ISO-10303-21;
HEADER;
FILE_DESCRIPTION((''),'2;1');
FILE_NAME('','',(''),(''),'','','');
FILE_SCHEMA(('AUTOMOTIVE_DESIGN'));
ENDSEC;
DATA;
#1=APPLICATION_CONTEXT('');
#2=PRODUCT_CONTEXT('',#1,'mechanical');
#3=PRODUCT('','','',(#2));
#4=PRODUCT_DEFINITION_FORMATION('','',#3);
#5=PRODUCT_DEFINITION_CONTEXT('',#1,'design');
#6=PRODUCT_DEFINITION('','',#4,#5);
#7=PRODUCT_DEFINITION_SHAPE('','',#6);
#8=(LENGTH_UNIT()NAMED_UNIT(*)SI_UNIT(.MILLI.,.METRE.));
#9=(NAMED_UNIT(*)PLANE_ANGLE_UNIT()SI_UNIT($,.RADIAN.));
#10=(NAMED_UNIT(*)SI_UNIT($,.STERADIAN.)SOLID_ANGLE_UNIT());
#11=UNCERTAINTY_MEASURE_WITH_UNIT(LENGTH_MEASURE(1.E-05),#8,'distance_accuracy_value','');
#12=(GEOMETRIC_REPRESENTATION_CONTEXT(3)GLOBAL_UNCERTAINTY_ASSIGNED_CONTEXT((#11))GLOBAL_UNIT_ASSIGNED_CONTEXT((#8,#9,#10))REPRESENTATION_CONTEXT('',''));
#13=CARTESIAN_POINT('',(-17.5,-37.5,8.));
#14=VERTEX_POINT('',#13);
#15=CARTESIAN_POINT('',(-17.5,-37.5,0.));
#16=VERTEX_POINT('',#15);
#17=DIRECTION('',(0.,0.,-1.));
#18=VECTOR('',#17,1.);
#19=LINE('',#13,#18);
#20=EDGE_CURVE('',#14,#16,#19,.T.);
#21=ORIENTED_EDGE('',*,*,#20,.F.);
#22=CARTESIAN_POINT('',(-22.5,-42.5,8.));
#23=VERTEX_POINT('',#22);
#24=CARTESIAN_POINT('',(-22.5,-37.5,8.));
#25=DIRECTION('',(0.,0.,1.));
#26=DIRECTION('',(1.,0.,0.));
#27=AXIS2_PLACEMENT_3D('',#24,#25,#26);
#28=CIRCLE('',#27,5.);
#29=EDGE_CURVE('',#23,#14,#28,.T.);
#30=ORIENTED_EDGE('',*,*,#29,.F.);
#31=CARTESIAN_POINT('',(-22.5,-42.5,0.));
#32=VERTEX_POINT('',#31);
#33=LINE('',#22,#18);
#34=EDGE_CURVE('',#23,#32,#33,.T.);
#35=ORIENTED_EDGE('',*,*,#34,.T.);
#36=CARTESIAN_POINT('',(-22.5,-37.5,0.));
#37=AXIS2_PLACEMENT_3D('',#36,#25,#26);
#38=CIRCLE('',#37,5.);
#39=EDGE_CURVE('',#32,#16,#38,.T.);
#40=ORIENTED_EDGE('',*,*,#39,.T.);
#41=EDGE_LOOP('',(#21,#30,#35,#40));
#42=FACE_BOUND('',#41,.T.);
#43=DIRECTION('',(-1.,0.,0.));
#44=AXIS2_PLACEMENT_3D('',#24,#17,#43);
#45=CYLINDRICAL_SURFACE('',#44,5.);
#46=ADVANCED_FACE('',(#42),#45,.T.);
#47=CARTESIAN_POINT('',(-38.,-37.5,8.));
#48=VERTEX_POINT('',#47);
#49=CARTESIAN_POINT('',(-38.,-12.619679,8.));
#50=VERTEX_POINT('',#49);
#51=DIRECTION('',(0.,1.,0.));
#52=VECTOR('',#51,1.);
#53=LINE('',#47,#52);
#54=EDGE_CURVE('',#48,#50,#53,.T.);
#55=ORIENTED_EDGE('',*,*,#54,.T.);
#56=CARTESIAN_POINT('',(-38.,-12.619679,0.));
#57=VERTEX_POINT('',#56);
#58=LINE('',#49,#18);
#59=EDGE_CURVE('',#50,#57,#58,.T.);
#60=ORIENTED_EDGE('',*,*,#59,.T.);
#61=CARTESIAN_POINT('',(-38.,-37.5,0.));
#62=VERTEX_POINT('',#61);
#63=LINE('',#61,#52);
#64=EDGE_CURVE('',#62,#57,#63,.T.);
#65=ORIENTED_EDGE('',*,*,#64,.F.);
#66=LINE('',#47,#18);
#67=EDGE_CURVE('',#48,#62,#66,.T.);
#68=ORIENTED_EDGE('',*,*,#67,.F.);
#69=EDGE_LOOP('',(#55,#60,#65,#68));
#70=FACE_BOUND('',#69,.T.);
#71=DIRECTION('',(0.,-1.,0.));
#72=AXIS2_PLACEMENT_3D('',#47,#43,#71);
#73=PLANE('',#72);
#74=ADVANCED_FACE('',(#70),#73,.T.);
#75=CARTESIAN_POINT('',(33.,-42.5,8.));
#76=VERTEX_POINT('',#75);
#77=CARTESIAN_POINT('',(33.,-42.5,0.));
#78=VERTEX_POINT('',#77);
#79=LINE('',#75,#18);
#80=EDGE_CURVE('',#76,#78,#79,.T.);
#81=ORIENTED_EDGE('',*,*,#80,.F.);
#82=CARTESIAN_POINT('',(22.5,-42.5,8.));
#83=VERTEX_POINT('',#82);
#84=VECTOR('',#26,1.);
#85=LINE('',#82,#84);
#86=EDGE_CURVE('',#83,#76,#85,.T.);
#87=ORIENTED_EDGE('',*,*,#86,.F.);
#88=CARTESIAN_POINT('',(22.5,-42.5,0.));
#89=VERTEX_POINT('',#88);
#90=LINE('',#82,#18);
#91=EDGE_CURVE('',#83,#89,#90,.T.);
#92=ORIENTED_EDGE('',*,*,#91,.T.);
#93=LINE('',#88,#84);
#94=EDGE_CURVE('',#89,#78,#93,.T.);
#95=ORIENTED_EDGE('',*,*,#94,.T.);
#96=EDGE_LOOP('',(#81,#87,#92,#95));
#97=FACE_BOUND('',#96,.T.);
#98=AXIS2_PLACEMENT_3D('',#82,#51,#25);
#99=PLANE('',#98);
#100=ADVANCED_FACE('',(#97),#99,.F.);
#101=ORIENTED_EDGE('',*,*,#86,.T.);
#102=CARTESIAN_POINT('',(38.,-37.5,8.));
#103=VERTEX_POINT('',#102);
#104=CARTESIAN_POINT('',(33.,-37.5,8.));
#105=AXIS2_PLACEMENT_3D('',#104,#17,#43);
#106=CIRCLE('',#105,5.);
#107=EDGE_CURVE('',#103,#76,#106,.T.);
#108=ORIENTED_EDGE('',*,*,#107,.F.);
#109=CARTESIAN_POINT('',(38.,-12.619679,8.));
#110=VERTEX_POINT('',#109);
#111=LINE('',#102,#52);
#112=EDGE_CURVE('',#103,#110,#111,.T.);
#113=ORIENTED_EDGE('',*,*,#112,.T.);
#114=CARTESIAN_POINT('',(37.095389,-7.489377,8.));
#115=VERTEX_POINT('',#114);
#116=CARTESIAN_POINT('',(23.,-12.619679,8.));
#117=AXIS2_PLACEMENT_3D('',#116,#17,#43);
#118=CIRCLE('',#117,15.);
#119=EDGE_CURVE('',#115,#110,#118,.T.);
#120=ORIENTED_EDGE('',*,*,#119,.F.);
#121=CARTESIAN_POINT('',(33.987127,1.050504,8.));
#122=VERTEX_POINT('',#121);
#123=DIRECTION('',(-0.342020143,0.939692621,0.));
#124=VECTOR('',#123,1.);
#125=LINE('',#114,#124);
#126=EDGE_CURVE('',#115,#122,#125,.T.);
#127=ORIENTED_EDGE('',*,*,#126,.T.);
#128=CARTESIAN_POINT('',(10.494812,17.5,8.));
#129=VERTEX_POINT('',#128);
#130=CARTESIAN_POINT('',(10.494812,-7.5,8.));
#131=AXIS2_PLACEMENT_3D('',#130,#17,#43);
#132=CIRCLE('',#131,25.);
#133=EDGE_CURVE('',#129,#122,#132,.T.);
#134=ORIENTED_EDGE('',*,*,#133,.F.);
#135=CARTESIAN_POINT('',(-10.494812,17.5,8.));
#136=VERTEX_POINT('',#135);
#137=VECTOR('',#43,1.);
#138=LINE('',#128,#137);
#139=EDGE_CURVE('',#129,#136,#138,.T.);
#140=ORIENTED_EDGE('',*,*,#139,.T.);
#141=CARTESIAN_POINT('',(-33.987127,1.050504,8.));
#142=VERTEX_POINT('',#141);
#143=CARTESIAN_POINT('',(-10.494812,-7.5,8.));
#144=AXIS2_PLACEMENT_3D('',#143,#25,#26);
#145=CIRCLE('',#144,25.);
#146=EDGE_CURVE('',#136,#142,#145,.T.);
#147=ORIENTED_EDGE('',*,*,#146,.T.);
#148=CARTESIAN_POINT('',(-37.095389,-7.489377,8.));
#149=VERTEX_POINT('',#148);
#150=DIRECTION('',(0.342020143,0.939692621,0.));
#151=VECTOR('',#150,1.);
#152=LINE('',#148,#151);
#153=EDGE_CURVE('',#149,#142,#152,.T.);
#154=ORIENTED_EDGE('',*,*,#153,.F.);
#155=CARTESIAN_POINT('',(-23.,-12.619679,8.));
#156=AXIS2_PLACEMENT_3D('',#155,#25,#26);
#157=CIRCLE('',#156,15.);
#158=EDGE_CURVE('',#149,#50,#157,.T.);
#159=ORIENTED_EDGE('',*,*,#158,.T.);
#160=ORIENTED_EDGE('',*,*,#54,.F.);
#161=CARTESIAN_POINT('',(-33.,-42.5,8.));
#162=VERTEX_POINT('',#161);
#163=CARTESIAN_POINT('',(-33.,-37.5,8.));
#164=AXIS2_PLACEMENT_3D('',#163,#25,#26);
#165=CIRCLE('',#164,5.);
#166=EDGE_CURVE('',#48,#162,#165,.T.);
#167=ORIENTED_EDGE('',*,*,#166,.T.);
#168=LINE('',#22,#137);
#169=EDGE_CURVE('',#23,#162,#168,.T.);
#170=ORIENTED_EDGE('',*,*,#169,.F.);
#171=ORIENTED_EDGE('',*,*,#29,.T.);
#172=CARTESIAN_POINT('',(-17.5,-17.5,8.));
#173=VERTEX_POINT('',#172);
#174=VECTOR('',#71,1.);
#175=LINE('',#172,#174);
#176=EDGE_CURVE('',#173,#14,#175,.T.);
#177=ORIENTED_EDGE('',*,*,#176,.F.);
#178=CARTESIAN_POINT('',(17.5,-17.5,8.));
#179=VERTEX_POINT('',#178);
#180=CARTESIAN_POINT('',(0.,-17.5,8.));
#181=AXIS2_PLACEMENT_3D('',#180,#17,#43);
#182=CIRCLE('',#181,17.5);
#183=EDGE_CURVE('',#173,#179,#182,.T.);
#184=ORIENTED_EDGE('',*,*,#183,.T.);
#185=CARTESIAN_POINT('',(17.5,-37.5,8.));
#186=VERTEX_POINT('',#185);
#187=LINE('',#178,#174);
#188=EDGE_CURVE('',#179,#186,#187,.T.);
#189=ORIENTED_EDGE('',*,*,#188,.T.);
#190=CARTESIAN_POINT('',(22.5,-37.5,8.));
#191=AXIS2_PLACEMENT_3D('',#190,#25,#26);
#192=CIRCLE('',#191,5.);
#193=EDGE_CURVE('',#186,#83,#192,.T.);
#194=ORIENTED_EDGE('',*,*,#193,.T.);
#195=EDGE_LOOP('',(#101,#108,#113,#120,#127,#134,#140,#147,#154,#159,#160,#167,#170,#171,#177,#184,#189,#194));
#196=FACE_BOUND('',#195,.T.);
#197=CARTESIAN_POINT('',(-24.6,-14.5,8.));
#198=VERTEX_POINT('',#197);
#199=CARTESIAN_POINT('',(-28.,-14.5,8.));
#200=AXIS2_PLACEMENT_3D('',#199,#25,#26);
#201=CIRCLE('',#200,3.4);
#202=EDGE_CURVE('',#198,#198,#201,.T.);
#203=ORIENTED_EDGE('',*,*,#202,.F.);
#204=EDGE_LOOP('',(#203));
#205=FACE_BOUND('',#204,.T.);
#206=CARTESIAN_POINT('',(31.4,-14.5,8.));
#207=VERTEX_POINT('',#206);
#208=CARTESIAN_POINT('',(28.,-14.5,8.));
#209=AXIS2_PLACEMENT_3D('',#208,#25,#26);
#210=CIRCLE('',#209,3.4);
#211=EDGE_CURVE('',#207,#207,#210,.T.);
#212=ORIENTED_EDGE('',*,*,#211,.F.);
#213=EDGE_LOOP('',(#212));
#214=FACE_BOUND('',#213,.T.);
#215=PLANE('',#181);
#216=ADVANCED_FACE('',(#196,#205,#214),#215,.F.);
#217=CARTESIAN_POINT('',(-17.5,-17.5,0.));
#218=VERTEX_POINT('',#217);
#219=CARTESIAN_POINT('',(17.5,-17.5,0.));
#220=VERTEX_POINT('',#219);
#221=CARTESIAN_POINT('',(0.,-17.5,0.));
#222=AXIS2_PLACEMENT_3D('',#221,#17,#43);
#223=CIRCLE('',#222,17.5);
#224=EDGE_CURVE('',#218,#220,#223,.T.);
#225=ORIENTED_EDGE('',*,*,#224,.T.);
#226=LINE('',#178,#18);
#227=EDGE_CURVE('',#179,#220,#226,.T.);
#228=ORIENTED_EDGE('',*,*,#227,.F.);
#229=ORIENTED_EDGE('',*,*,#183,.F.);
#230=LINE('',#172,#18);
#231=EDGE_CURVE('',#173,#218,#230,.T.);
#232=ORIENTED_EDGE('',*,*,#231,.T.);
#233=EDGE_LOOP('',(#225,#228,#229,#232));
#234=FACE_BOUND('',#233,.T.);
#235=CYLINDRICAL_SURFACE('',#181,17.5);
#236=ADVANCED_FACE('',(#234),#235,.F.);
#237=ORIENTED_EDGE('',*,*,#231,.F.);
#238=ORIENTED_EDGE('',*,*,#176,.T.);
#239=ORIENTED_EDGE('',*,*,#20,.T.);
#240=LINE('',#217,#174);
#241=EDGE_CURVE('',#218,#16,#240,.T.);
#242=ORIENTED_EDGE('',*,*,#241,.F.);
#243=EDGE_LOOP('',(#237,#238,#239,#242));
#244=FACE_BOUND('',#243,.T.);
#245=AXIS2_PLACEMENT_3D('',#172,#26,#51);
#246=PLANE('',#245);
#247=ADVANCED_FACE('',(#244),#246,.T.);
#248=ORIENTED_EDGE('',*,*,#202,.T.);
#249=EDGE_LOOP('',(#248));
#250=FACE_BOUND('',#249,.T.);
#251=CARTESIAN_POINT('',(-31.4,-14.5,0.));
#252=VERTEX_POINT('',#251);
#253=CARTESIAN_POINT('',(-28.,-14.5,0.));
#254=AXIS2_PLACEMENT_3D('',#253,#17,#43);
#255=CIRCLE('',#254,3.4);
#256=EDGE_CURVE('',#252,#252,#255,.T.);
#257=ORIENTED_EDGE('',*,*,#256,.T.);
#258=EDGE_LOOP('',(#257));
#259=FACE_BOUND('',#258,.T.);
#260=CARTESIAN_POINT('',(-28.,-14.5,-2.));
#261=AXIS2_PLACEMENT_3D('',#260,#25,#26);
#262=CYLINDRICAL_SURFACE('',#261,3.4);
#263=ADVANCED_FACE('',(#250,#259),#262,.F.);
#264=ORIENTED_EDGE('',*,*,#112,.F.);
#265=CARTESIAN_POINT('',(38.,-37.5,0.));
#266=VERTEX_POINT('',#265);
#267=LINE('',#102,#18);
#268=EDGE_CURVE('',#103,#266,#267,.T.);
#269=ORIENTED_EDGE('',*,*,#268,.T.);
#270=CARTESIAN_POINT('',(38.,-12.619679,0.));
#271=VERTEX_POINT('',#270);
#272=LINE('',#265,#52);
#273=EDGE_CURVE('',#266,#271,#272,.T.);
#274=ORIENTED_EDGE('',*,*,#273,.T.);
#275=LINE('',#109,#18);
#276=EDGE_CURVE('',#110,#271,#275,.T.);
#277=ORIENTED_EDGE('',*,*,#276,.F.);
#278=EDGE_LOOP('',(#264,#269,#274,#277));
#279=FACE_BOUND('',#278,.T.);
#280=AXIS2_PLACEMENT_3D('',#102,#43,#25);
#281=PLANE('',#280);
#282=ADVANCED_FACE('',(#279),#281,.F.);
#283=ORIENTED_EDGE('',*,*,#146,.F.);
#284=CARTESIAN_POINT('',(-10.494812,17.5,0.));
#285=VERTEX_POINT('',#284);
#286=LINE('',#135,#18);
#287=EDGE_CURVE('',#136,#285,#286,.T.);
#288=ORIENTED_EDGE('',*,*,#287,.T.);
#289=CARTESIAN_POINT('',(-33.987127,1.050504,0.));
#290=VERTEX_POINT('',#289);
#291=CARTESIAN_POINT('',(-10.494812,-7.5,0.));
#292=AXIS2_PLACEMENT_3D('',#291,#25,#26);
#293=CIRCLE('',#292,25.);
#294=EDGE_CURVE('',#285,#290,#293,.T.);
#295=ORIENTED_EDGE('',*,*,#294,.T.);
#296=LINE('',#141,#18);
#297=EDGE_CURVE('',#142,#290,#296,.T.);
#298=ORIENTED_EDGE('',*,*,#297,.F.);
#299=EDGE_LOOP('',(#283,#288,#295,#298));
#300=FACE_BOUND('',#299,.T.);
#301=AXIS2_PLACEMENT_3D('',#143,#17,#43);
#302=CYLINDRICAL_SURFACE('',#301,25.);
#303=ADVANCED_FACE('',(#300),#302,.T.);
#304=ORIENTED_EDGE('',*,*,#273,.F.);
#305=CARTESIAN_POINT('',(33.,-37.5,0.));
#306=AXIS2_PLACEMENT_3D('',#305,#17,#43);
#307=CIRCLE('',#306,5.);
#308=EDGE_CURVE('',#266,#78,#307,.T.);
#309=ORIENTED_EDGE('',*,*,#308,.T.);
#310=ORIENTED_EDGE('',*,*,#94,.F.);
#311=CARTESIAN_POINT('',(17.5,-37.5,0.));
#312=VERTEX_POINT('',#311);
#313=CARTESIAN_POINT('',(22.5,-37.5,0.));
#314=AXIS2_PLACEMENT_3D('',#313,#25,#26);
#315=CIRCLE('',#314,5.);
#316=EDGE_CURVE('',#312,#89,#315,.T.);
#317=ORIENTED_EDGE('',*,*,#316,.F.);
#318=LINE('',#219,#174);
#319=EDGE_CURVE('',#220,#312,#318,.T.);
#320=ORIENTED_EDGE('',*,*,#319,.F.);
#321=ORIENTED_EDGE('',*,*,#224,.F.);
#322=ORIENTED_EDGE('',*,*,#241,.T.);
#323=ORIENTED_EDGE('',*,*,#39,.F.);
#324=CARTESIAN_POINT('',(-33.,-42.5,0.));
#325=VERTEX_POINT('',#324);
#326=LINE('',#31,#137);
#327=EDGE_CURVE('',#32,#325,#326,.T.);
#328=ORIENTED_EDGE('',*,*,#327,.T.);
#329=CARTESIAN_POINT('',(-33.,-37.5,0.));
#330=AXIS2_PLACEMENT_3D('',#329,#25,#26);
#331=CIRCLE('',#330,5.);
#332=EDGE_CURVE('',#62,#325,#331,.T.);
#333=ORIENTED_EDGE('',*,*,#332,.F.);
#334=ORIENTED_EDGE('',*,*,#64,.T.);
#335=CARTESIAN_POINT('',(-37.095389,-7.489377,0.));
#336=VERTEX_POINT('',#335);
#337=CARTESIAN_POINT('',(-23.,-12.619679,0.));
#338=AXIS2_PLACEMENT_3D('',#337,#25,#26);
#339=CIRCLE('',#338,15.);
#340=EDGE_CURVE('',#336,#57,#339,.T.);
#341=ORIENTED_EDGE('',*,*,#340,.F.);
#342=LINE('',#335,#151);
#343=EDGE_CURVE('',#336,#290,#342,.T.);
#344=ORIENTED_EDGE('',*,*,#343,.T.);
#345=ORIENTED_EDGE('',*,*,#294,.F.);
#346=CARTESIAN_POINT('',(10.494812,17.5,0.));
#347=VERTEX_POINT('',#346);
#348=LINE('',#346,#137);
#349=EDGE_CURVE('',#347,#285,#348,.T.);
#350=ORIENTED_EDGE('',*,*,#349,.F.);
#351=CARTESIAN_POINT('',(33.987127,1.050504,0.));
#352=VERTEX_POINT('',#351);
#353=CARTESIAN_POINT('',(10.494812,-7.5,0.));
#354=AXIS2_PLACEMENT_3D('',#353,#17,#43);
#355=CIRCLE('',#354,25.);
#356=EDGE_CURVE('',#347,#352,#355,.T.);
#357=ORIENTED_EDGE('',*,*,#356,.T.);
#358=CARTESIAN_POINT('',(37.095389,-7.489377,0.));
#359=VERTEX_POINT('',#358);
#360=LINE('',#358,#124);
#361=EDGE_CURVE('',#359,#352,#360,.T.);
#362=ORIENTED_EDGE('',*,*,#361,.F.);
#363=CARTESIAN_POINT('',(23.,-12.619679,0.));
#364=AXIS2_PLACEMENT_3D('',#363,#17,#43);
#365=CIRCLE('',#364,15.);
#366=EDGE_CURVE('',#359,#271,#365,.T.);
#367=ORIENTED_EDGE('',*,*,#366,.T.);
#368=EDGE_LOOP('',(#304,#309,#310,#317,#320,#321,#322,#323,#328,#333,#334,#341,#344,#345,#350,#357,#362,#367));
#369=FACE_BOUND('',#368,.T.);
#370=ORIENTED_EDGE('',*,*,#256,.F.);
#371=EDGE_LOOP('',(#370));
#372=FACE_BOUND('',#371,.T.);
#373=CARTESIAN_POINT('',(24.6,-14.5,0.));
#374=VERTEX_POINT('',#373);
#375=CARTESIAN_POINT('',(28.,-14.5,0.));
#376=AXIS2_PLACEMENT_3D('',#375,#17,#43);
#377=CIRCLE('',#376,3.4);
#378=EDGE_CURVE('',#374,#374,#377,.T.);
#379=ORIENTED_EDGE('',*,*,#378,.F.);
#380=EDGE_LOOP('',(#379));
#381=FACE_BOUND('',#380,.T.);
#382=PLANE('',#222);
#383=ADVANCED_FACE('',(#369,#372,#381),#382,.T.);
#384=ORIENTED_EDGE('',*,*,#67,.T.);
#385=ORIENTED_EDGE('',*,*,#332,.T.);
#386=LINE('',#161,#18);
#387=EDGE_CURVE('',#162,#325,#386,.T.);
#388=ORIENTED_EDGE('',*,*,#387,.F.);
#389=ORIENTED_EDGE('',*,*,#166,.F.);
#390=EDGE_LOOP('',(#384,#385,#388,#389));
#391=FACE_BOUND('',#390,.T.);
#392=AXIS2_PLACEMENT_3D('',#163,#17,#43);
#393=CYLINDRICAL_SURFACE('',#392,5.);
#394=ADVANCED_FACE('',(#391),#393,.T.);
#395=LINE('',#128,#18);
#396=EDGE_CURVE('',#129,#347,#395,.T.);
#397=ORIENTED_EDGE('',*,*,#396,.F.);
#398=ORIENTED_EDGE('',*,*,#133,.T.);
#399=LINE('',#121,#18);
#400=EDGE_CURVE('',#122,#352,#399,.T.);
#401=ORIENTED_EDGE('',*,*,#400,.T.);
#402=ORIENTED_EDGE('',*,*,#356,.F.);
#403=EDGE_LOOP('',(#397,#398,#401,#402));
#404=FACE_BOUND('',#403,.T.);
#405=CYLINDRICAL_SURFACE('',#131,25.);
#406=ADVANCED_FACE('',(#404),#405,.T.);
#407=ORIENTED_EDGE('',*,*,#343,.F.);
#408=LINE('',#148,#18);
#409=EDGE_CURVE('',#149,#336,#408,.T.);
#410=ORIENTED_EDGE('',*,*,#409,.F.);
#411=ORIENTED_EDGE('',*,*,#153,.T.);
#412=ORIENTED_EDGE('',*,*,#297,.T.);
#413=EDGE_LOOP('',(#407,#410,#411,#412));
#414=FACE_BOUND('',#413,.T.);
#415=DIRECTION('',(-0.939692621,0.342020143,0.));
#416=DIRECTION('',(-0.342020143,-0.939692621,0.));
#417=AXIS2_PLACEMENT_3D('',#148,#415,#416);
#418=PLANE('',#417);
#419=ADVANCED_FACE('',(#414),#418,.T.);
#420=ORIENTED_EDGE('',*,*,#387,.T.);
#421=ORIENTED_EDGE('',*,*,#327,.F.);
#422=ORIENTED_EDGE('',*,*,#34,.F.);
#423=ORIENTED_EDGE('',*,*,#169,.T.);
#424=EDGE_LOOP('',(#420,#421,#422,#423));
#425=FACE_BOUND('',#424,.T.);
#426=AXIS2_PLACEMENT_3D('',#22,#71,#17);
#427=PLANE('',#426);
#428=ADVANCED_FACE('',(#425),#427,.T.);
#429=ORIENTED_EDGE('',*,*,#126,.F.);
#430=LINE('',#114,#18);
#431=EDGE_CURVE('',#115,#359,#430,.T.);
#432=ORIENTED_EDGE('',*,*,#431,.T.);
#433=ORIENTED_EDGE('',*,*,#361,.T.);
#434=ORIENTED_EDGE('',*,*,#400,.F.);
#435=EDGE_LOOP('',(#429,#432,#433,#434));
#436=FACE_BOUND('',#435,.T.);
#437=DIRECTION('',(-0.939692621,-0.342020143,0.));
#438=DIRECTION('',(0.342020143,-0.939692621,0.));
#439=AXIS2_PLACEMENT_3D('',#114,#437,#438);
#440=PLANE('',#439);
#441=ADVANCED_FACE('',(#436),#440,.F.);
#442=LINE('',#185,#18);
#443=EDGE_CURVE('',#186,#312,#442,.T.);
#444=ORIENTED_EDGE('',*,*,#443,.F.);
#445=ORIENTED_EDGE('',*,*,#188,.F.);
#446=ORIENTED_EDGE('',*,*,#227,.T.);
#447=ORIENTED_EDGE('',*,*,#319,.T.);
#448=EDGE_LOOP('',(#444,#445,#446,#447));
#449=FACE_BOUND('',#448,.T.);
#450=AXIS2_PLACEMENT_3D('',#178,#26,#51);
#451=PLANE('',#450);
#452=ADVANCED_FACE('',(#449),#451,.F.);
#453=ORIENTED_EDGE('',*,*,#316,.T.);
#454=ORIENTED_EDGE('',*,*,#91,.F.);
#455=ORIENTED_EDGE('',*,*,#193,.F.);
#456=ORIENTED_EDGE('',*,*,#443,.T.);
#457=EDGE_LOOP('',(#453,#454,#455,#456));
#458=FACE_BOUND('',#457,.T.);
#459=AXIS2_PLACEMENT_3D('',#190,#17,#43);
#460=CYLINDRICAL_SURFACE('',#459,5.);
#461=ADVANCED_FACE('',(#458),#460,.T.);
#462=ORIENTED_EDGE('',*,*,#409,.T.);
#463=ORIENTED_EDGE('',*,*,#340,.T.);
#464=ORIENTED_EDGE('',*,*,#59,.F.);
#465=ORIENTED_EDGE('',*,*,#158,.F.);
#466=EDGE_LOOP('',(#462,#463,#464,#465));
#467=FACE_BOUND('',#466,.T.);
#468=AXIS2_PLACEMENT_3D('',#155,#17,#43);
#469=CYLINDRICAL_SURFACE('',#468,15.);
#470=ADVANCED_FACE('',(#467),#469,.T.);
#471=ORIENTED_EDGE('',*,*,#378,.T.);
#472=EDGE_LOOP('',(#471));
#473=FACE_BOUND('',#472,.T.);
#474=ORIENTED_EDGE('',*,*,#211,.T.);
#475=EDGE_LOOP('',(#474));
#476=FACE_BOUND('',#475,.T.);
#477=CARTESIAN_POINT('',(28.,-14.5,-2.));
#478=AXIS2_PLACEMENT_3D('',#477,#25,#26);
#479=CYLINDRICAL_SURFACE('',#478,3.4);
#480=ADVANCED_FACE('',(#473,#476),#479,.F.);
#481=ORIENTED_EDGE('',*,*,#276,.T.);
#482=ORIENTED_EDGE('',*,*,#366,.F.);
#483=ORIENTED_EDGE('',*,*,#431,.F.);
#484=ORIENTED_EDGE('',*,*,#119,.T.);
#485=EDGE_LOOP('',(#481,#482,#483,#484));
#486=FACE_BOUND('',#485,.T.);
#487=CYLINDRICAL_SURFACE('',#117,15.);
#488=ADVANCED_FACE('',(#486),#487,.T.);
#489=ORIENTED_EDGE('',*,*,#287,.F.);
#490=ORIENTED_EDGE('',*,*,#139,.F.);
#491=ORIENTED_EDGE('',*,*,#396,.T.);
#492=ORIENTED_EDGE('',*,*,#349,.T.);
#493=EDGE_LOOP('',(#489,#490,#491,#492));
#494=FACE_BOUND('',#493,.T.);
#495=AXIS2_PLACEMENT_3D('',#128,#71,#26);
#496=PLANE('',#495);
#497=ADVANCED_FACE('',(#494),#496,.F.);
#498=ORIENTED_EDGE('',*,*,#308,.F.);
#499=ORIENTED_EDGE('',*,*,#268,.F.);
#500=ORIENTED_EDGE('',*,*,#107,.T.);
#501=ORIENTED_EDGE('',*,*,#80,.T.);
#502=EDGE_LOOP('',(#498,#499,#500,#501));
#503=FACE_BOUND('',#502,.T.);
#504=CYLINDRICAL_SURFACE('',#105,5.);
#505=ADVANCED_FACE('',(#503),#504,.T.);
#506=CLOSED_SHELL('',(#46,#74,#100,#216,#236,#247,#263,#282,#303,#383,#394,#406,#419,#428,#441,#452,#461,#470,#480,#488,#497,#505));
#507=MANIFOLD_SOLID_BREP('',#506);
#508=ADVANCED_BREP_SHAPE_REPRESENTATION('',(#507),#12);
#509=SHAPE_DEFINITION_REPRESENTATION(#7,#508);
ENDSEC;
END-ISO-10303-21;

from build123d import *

# Parameters (mm, degrees)
BASE_EXTRUDE_DEPTH    = 8
SKETCH4_R             = 3.4
M8_GEVINDHULLER_DEPTH = 10


with BuildPart() as part:
    # Sketch1 → Base-Extrude (new body)
    with BuildSketch(Plane.XY):
        with BuildLine():
            Line((17.5, -17.5), (17.5, -37.5))
            ThreePointArc((17.5, -37.5), (18.964466094, -41.035533906), (22.5, -42.5))
            Line((22.5, -42.5), (33, -42.5))
            ThreePointArc((33, -42.5), (36.535533906, -41.035533906), (38, -37.5))
            Line((38, -37.5), (38, -12.619678905))
            ThreePointArc((38, -12.619678905), (37.772116295, -10.01495624), (37.095389312, -7.489376755))
            Line((37.095389312, -7.489376755), (33.987127064, 1.050503583))
            ThreePointArc((33.987127064, 1.050503583), (24.834222454, 12.978801107), (10.494811545, 17.5))
            Line((10.494811545, 17.5), (-10.494811545, 17.5))
            ThreePointArc((-10.494811545, 17.5), (-24.834222454, 12.978801107), (-33.987127064, 1.050503583))
            Line((-33.987127064, 1.050503583), (-37.095389312, -7.489376755))
            ThreePointArc((-37.095389312, -7.489376755), (-37.772116295, -10.01495624), (-38, -12.619678905))
            Line((-38, -12.619678905), (-38, -37.5))
            ThreePointArc((-38, -37.5), (-36.535533906, -41.035533906), (-33, -42.5))
            Line((-33, -42.5), (-22.5, -42.5))
            ThreePointArc((-22.5, -42.5), (-18.964466094, -41.035533906), (-17.5, -37.5))
            Line((-17.5, -37.5), (-17.5, -17.5))
            ThreePointArc((-17.5, -17.5), (0, 0), (17.5, -17.5))
        make_face()
    extrude(amount=BASE_EXTRUDE_DEPTH)

    # Sketch4 → M8 gevindhuller (cut)
    with BuildSketch(Plane.XY.offset(8)):
        with Locations((-28, -14.5)):
            Circle(SKETCH4_R)
        with Locations((28, -14.5)):
            Circle(SKETCH4_R)
    extrude(amount=-M8_GEVINDHULLER_DEPTH, mode=Mode.SUBTRACT)


solid = part.part
